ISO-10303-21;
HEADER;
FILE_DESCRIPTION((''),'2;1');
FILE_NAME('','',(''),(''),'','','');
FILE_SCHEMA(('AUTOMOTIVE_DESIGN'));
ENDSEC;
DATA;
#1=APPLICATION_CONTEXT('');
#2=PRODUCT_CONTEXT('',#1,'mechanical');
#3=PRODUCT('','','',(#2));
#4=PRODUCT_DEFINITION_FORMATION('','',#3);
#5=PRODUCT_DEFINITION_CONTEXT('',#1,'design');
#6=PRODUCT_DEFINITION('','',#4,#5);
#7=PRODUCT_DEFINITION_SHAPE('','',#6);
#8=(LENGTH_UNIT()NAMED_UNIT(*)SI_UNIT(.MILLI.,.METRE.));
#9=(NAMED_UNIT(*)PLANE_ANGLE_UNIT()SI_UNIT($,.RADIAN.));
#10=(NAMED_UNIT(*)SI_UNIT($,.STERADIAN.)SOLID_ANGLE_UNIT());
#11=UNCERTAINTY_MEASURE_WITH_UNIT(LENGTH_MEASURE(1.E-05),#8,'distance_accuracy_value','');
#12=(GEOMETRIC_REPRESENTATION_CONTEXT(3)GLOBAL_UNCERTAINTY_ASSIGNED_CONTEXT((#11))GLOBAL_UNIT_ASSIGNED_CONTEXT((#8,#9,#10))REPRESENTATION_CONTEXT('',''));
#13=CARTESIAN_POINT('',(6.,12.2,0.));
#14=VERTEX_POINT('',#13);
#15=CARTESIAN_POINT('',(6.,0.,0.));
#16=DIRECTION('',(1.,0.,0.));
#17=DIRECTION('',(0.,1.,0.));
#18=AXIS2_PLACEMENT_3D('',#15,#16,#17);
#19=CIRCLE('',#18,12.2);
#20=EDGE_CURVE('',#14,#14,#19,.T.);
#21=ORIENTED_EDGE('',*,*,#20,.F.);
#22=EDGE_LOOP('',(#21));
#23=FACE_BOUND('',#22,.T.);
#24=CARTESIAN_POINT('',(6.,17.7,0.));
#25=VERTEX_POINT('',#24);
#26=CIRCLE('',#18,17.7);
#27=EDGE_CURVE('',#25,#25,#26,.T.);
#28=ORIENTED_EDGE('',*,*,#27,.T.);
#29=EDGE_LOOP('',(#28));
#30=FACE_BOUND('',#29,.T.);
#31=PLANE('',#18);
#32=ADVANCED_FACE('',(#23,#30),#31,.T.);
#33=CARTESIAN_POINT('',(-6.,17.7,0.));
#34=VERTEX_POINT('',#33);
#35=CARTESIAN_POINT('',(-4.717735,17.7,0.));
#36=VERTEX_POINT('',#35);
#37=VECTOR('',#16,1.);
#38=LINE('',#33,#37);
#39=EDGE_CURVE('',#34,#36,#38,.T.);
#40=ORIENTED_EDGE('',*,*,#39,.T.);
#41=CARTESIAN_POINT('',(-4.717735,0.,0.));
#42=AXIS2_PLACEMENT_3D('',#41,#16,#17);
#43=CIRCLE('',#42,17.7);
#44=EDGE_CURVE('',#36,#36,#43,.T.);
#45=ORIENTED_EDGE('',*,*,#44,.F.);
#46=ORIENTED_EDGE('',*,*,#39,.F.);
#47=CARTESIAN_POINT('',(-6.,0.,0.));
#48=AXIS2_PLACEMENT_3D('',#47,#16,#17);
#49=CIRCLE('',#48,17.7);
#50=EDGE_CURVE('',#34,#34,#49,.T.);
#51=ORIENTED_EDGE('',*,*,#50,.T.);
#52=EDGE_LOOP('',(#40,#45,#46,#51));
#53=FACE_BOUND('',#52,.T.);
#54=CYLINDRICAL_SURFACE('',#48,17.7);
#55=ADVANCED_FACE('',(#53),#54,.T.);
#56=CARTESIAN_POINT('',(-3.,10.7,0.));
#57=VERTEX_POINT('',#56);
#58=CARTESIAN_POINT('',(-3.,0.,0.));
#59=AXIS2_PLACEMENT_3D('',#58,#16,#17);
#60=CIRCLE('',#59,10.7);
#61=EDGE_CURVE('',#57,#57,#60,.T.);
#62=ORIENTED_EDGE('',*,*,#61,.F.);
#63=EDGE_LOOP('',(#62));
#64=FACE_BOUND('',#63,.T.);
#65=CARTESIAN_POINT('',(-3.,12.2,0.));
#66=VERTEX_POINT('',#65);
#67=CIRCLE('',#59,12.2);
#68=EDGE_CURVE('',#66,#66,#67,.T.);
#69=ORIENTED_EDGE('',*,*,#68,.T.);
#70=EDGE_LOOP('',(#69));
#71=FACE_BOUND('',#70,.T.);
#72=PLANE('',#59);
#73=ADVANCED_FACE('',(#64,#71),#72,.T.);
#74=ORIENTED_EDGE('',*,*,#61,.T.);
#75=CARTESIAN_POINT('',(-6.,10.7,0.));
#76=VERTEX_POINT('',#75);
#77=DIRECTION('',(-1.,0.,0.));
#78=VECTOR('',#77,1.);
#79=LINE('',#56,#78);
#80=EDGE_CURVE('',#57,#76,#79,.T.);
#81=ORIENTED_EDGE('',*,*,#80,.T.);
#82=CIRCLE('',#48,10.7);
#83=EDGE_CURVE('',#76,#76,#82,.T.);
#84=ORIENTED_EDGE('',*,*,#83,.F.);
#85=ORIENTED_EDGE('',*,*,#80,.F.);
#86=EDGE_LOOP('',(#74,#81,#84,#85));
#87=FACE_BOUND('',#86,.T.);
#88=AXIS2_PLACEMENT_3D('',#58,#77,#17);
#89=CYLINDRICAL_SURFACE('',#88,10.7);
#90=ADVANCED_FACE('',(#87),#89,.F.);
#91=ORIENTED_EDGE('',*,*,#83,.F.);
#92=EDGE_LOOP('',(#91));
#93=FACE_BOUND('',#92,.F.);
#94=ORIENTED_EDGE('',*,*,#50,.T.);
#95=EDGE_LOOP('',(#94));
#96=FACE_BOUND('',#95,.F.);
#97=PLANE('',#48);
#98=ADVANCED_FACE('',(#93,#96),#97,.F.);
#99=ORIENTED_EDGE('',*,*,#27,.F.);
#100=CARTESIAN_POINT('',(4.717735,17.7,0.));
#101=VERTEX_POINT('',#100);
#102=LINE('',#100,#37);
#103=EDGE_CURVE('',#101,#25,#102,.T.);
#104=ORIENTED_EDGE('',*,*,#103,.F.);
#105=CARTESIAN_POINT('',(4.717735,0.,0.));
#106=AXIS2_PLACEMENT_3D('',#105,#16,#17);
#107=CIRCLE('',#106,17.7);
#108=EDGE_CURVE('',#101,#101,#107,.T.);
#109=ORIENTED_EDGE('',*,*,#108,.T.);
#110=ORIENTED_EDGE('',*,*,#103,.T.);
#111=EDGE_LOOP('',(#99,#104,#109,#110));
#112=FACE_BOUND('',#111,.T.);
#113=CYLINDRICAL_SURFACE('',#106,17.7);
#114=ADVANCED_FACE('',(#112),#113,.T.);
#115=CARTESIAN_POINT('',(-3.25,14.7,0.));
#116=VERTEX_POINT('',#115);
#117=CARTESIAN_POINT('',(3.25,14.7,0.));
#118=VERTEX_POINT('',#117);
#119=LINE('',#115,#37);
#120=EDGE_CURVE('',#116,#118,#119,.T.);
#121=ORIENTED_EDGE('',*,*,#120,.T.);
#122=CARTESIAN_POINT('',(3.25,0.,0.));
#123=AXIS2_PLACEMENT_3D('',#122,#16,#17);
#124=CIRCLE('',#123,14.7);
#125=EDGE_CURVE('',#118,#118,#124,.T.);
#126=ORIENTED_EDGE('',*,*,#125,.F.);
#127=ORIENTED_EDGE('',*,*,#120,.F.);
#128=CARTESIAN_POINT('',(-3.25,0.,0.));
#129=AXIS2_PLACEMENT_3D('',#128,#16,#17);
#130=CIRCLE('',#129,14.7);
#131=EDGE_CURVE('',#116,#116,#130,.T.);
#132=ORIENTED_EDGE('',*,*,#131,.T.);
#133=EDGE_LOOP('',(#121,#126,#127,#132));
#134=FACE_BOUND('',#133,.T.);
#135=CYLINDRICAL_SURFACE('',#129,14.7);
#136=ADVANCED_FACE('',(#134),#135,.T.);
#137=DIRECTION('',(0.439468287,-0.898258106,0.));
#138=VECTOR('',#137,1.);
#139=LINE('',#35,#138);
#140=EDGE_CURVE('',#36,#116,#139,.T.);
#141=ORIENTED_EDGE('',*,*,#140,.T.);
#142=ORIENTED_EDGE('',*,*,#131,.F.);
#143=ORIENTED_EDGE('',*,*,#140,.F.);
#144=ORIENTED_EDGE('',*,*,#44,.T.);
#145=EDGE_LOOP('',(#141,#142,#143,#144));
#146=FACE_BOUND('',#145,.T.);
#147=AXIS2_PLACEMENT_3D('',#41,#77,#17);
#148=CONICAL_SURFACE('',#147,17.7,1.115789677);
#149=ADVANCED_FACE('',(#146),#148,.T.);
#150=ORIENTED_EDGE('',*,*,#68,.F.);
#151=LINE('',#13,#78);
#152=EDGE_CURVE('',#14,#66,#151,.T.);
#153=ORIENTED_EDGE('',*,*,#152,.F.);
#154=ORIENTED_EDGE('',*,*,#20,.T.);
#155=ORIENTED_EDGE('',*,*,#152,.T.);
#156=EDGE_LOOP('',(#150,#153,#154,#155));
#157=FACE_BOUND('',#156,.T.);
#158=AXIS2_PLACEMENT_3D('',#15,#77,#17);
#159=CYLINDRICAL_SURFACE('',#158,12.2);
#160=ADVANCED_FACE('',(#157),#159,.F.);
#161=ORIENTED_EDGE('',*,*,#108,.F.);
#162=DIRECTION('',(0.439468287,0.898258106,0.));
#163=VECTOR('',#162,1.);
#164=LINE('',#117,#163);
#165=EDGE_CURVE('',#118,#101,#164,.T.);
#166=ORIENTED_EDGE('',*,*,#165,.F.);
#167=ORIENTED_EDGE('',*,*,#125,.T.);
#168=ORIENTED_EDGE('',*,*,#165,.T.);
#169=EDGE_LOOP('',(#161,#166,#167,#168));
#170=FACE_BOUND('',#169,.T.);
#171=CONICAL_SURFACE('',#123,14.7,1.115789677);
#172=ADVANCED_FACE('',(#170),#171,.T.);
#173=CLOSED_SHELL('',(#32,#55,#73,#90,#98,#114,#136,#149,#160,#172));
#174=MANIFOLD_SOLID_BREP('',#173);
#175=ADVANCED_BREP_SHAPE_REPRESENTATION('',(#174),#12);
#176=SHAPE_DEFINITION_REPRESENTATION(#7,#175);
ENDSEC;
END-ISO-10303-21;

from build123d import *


with BuildPart() as part:
    # Sketch → Revolution (revolve)
    with BuildSketch(Plane.XY):
        Polygon((-6, 12.2), (-6, 17.7), (-4.717735, 17.7), (-3.25, 14.7), (3.25, 14.7), (4.717735, 17.7), (6, 17.7), (6, 12.2), (-3, 12.2), (-3, 10.7), (-6, 10.7), align=None)
    revolve(axis=Axis((0, 0, 0), (1, 0, 0)))


solid = part.part
